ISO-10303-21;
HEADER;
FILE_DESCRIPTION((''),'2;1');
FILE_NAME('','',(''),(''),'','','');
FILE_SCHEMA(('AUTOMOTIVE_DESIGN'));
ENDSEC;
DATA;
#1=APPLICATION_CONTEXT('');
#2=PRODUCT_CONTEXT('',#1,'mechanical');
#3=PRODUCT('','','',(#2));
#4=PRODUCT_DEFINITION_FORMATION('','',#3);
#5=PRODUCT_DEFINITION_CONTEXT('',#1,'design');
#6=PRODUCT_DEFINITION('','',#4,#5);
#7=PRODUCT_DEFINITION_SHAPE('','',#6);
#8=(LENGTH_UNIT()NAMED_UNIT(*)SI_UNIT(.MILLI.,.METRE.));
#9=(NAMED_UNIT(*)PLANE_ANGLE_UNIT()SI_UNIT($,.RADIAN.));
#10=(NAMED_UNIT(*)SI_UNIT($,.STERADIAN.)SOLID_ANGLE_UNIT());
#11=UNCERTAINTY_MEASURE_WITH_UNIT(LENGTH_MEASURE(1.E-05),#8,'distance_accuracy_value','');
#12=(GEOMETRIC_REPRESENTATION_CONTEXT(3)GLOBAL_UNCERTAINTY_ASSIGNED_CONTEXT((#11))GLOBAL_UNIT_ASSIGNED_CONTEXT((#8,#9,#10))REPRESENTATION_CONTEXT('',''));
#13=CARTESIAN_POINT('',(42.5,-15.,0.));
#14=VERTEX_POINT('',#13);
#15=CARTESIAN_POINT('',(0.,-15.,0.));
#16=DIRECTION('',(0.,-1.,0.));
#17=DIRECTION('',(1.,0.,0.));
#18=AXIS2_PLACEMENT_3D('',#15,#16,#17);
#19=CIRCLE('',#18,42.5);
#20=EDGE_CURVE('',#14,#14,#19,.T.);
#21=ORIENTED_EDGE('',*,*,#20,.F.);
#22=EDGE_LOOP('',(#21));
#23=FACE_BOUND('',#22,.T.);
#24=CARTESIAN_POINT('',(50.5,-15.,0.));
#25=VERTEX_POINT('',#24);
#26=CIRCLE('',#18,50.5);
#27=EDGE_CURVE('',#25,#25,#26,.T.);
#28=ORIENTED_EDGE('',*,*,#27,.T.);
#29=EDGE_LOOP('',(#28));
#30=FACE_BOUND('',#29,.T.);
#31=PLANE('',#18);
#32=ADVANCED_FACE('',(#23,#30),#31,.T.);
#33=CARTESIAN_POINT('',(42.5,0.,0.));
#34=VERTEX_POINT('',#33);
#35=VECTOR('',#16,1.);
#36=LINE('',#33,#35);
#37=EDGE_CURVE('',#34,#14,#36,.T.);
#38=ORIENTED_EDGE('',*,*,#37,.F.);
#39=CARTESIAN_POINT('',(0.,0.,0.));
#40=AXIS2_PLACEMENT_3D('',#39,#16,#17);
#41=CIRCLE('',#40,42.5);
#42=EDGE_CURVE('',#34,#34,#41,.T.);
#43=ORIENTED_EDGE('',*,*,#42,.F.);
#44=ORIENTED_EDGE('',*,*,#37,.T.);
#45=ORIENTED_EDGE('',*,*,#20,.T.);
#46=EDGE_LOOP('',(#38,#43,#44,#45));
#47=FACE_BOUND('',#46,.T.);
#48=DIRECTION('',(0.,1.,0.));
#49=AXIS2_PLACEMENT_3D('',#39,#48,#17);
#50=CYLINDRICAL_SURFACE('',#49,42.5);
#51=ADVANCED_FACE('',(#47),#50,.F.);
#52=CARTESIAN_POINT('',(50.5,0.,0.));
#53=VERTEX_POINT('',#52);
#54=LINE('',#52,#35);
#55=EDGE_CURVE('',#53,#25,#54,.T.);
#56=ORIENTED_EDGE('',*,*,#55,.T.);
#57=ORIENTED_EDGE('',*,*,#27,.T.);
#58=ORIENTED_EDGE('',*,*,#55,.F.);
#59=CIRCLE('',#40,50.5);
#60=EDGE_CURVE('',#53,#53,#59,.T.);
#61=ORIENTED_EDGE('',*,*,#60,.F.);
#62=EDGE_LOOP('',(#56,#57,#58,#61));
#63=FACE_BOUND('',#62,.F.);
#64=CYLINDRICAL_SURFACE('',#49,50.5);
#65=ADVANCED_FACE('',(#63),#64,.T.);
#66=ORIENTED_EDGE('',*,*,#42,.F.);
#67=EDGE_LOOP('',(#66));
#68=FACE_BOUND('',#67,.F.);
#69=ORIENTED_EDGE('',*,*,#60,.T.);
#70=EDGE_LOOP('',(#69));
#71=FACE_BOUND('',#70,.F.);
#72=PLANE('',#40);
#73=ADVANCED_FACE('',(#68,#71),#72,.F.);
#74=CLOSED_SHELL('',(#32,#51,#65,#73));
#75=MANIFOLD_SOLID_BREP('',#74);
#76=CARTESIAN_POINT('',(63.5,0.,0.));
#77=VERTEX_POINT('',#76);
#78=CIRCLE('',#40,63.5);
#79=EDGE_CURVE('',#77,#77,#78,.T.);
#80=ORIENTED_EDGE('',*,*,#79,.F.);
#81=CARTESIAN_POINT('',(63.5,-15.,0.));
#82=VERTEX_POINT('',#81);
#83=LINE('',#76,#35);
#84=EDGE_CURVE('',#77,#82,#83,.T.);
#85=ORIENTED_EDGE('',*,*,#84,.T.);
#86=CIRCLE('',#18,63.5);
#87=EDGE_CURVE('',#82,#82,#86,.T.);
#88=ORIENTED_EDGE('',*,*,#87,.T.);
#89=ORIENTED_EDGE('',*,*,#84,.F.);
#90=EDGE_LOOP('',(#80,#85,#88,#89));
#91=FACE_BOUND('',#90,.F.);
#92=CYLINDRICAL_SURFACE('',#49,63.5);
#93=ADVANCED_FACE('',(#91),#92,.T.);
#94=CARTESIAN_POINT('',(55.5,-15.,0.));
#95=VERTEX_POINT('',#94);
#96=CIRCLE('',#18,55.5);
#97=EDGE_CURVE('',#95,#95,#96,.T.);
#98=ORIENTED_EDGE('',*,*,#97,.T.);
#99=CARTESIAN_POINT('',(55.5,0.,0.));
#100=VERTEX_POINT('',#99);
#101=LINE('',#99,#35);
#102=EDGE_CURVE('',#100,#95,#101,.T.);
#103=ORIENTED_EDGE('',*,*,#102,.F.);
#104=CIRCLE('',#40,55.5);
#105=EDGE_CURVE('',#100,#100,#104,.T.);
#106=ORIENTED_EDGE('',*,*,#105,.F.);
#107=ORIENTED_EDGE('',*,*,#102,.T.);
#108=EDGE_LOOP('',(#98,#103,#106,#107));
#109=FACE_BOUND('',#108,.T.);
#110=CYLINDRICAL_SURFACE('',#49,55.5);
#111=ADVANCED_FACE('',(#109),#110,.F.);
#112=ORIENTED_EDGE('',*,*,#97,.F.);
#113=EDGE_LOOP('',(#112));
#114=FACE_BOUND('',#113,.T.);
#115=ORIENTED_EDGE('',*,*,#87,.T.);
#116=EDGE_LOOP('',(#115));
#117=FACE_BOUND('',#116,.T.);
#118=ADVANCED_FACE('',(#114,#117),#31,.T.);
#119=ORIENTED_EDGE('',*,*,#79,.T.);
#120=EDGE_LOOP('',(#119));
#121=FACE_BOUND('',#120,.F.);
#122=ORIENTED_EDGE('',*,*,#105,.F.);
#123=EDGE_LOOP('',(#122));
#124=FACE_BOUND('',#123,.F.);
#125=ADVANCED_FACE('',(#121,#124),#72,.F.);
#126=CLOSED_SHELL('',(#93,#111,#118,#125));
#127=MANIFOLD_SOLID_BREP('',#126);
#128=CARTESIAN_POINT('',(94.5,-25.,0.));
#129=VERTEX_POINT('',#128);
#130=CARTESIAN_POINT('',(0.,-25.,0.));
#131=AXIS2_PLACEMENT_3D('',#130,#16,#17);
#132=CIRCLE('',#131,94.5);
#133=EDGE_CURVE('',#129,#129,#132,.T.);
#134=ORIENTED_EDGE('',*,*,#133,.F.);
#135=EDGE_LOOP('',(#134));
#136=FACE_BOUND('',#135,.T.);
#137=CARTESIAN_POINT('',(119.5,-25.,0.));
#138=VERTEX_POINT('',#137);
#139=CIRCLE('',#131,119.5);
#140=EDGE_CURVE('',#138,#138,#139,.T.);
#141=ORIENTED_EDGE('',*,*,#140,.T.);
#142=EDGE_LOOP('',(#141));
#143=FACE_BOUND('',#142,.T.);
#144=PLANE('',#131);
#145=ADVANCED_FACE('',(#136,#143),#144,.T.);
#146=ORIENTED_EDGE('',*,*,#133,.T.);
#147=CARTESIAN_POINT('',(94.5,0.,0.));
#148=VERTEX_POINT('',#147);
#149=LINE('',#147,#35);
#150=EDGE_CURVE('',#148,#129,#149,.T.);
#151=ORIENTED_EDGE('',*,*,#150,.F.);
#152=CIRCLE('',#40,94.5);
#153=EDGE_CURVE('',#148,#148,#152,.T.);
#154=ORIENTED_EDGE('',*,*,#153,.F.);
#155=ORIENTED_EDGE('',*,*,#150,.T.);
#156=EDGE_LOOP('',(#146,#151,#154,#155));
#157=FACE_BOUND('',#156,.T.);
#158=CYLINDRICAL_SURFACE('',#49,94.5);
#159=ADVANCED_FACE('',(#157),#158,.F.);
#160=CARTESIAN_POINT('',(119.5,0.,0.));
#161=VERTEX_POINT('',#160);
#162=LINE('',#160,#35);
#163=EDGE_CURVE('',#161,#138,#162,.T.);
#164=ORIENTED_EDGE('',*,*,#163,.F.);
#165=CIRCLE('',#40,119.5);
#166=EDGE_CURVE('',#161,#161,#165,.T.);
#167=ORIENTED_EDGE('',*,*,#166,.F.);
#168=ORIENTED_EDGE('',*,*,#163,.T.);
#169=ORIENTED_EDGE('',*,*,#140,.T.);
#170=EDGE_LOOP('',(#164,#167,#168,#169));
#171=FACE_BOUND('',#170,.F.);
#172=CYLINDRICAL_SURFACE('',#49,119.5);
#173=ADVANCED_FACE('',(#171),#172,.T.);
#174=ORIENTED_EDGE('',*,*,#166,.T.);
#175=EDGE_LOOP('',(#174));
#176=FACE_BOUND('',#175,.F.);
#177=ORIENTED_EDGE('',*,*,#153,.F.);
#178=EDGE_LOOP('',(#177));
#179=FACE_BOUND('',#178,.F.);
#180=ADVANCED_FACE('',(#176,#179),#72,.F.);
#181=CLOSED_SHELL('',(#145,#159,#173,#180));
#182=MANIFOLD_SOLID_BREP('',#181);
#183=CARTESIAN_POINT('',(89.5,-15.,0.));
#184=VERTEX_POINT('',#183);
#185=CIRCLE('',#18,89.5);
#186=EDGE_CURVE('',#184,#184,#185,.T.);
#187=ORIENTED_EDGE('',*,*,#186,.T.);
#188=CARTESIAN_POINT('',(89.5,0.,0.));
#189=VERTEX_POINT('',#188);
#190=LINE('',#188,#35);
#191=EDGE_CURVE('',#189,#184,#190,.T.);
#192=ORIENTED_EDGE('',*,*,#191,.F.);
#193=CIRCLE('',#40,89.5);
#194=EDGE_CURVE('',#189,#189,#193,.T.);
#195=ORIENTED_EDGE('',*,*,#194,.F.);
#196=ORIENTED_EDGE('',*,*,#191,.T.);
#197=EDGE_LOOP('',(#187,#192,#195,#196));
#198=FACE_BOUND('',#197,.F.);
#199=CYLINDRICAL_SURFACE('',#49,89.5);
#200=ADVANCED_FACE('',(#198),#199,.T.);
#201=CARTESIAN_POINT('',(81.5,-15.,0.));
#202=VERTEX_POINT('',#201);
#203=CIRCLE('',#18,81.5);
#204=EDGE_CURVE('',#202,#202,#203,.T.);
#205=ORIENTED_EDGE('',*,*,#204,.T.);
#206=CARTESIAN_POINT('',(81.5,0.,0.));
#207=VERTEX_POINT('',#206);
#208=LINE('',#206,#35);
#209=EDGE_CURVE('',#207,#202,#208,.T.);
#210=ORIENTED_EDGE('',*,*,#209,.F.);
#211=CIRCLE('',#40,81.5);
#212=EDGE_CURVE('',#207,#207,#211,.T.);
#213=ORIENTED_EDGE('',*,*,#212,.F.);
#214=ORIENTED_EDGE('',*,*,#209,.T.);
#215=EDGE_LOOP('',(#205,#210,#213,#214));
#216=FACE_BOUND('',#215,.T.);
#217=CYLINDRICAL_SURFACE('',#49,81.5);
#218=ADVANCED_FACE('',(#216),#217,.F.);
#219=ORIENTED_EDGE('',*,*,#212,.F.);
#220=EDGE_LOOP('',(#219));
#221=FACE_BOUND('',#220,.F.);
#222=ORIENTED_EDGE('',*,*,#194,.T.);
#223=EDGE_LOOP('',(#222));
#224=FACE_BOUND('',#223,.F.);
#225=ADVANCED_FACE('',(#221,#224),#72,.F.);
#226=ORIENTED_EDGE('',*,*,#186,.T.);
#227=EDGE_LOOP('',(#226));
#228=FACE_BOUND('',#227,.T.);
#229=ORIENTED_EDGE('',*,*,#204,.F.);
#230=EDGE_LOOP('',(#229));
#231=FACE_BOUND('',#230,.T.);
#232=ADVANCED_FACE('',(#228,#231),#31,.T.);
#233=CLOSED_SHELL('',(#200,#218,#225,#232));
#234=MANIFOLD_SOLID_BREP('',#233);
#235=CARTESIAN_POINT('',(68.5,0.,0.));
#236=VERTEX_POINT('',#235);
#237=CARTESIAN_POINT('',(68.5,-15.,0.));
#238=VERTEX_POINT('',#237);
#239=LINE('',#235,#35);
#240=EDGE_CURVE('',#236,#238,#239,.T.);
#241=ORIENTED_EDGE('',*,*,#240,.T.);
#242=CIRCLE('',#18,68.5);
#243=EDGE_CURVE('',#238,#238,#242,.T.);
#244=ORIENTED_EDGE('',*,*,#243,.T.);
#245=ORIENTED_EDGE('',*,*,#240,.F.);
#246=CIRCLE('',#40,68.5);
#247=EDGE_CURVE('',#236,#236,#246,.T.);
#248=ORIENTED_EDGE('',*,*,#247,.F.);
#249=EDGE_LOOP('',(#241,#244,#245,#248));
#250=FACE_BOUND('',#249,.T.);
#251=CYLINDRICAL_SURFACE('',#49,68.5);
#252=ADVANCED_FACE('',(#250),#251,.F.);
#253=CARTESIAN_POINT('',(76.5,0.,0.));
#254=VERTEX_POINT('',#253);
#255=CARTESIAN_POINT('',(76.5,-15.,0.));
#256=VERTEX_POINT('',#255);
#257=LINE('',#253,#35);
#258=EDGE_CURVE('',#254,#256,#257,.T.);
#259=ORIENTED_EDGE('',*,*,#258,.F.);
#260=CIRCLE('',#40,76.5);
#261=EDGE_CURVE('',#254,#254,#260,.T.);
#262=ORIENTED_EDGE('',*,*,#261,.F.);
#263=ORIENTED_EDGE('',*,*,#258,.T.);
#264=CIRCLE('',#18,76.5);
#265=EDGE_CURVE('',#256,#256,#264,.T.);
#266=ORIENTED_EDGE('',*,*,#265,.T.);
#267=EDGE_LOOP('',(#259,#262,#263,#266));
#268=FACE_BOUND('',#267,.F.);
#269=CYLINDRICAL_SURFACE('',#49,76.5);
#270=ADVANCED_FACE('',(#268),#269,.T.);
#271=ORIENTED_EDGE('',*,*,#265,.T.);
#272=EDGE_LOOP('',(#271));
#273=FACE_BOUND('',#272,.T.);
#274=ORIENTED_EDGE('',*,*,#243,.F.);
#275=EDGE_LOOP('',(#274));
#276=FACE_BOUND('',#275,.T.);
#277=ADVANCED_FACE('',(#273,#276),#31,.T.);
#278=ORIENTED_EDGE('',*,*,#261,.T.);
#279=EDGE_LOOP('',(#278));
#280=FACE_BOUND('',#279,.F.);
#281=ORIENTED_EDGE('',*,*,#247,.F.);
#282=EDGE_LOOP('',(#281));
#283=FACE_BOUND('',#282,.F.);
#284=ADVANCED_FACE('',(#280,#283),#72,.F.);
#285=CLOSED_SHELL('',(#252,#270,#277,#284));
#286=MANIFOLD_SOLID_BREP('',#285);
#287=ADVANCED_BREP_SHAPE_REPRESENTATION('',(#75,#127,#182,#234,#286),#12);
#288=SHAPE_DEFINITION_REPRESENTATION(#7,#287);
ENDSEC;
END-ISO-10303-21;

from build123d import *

# Parameters (mm, degrees)
F0_R     = 50.5
F0_R_2   = 42.5
F1_DEPTH = 15
F2_R     = 63.5
F2_R_2   = 55.5
F3_DEPTH = 15
F4_R     = 76.5
F4_R_2   = 68.5
F5_DEPTH = 15
F6_R     = 89.5
F6_R_2   = 81.5
F7_DEPTH = 15
F8_R     = 119.5
F8_R_2   = 94.5
F9_DEPTH = 25


with BuildPart() as f1:
    # F0 (on Front) → F1 (new body)
    with BuildSketch(Plane.XZ):
        Circle(F0_R)
        Circle(F0_R_2, mode=Mode.SUBTRACT)
    extrude(amount=F1_DEPTH)


with BuildPart() as f3:
    # F2 (on Front) → F3 (new body)
    with BuildSketch(Plane.XZ):
        Circle(F2_R)
        Circle(F2_R_2, mode=Mode.SUBTRACT)
    extrude(amount=F3_DEPTH)


with BuildPart() as f5:
    # F4 (on Front) → F5 (new body)
    with BuildSketch(Plane.XZ):
        Circle(F4_R)
        Circle(F4_R_2, mode=Mode.SUBTRACT)
    extrude(amount=F5_DEPTH)


with BuildPart() as f7:
    # F6 (on Front) → F7 (new body)
    with BuildSketch(Plane.XZ):
        Circle(F6_R)
        Circle(F6_R_2, mode=Mode.SUBTRACT)
    extrude(amount=F7_DEPTH)


with BuildPart() as f9:
    # F8 (on Front) → F9 (new body)
    with BuildSketch(Plane.XZ):
        Circle(F8_R)
        Circle(F8_R_2, mode=Mode.SUBTRACT)
    extrude(amount=F9_DEPTH)


solid = Compound([f1.part, f3.part, f5.part, f7.part, f9.part])
